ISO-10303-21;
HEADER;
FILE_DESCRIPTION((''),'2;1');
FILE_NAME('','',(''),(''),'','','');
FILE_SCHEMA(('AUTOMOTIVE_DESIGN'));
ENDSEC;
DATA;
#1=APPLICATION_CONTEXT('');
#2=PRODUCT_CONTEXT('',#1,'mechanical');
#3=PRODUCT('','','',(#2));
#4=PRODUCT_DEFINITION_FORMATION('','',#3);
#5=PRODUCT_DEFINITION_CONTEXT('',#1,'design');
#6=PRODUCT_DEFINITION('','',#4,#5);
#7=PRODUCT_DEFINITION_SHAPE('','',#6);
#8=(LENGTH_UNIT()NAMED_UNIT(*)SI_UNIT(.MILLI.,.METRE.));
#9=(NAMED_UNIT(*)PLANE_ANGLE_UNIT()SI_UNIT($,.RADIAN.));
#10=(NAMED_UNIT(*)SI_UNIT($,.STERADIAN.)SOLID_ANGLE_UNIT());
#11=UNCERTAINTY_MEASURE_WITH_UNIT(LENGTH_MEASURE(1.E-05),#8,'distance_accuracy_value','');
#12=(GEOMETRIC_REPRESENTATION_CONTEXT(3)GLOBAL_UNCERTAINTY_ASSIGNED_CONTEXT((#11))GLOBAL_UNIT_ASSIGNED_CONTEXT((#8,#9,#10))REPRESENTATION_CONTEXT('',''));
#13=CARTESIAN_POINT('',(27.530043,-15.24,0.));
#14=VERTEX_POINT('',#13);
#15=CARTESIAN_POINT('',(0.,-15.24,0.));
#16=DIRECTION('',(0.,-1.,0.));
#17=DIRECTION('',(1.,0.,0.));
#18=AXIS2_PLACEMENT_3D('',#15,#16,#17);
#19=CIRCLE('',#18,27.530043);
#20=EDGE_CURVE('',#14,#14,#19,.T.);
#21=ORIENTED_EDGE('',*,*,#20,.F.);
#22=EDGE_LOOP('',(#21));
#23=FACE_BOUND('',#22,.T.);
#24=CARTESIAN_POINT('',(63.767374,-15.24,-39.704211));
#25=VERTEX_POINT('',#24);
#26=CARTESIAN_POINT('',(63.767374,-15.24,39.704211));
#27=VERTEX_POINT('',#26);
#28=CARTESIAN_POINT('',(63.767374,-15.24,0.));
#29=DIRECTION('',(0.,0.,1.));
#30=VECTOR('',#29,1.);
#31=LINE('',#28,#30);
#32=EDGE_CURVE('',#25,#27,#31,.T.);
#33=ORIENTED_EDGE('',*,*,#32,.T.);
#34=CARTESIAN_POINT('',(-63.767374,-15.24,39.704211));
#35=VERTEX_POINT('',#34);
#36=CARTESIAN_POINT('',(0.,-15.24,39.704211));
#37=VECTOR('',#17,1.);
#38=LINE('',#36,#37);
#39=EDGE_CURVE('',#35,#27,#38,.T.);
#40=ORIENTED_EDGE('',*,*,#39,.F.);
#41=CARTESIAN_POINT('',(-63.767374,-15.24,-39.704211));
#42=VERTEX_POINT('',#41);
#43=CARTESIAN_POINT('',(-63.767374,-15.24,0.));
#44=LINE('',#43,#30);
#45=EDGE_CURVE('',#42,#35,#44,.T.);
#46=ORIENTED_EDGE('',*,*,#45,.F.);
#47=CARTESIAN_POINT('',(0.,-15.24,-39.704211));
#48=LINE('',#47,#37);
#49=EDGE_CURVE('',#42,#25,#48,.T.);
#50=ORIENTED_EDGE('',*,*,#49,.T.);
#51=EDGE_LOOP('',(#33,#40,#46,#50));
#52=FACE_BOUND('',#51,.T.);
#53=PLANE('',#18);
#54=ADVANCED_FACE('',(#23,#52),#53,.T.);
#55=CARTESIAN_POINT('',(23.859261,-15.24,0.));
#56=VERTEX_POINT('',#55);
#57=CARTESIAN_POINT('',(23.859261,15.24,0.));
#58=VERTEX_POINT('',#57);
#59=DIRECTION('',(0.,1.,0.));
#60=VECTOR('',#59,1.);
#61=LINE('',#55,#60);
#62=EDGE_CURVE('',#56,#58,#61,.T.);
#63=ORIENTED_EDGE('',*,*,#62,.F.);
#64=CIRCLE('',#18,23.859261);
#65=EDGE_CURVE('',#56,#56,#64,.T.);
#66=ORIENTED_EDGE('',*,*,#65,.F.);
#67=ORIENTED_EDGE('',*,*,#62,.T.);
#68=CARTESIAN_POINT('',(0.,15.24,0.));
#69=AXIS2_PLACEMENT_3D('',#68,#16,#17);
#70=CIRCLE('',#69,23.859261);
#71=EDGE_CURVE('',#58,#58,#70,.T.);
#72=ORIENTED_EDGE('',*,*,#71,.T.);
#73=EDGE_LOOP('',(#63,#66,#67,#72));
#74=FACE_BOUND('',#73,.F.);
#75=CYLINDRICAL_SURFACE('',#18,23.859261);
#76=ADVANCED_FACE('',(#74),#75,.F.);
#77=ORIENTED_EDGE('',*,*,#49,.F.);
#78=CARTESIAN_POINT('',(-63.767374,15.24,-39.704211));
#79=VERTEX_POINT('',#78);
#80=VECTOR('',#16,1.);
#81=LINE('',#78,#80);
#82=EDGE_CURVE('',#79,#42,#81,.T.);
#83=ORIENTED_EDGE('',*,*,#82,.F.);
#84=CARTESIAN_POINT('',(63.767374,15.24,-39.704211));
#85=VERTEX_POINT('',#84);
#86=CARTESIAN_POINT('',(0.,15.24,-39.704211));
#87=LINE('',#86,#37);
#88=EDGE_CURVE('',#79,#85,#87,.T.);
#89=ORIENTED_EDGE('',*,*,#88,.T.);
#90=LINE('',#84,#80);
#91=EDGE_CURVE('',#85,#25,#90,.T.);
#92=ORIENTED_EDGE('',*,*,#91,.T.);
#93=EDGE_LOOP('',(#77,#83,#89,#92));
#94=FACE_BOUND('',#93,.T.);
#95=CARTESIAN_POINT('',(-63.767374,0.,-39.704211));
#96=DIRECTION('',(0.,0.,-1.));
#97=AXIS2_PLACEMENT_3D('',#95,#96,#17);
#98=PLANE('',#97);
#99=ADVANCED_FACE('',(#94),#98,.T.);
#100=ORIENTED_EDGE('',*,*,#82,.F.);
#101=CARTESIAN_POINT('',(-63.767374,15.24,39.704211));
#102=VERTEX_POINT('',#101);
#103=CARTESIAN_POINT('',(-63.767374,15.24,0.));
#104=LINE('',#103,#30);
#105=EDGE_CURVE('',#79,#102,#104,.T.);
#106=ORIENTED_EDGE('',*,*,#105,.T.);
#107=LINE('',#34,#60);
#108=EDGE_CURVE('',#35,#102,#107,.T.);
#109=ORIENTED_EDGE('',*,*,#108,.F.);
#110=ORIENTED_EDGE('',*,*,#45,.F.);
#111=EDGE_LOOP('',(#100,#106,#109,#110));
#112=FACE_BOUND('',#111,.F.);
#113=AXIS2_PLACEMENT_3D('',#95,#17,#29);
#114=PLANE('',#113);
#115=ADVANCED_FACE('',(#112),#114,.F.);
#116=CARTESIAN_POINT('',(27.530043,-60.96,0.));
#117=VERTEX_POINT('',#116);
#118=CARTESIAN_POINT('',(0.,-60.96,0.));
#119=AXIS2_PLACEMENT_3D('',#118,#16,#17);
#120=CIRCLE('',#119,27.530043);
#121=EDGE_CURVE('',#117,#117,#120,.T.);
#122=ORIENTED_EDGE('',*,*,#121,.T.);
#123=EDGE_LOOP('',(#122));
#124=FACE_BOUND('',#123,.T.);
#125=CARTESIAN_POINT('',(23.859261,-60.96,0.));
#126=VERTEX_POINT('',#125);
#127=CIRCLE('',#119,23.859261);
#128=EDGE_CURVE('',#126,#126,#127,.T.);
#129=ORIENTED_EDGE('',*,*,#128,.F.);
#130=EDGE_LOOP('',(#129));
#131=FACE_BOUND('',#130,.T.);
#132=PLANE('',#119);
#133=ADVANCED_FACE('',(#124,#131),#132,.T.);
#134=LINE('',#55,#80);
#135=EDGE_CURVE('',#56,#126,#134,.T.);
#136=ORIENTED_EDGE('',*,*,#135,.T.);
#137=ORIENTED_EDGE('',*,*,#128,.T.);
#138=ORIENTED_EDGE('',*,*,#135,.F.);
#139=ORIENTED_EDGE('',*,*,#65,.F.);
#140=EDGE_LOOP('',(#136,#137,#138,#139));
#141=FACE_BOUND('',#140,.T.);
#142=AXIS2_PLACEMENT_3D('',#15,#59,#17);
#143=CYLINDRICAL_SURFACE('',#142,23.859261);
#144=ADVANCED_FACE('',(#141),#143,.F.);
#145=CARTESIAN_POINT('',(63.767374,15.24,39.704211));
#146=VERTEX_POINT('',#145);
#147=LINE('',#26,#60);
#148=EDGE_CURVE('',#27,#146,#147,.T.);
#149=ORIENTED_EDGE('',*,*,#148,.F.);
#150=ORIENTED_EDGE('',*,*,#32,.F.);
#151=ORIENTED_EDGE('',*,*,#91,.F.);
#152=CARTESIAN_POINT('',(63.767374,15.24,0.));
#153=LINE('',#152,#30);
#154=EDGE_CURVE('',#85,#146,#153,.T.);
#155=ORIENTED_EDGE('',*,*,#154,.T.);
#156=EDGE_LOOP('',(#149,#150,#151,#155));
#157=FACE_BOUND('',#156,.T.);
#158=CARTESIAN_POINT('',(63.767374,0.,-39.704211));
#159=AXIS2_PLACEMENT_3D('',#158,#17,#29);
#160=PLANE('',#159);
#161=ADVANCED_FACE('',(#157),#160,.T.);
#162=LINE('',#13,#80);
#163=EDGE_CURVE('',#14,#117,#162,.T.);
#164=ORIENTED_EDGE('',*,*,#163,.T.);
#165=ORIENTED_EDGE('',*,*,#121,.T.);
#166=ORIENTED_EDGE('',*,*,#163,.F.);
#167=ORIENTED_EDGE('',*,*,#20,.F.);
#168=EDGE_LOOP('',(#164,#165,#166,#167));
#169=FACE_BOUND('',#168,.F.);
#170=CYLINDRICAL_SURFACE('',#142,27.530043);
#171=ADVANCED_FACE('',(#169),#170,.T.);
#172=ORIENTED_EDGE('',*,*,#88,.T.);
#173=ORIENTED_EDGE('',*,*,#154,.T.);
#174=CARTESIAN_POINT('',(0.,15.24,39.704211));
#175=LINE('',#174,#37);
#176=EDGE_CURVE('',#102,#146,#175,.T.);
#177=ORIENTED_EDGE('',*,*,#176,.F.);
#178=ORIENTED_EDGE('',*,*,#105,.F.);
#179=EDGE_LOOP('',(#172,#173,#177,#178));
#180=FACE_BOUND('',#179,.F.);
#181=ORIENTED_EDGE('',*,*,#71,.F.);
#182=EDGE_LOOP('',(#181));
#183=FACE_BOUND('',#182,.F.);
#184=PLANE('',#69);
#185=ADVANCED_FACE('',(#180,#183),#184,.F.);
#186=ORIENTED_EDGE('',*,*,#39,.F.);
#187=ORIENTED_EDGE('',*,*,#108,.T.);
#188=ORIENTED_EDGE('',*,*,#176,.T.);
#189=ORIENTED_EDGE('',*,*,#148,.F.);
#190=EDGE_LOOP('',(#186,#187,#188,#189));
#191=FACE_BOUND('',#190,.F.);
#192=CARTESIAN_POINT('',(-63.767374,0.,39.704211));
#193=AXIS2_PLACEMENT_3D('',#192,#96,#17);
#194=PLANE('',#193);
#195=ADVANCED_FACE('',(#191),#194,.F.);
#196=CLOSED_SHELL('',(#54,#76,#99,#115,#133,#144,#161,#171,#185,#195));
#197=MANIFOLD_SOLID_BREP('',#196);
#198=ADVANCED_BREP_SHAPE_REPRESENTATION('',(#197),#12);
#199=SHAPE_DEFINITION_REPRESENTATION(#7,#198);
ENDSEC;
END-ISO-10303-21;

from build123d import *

# Parameters (mm, degrees)
F0_W      = 127.534748
F0_H      = 79.408422
F1_DEPTH  = 15.24
F2_R      = 27.530043
F2_R_2    = 23.859261
F3_DEPTH  = 45.72
F3_FACE_R = 23.859261
F4_DEPTH  = 46.99


with BuildPart() as f1:
    # F0 (on Front) → F1 (new body, symmetric)
    with BuildSketch(Plane.XZ):
        Rectangle(F0_W, F0_H)
    extrude(amount=F1_DEPTH, both=True)

    # F2 (on face) → F3 (join)
    with BuildSketch(Plane.XZ.offset(15.24)):
        Circle(F2_R)
        Circle(F2_R_2, mode=Mode.SUBTRACT)
    extrude(amount=F3_DEPTH)

    # F3_face (on face) → F4 (cut)
    with BuildSketch(Plane.XZ.offset(15.24)):
        Circle(F3_FACE_R)
    extrude(amount=-F4_DEPTH, mode=Mode.SUBTRACT)


solid = f1.part
